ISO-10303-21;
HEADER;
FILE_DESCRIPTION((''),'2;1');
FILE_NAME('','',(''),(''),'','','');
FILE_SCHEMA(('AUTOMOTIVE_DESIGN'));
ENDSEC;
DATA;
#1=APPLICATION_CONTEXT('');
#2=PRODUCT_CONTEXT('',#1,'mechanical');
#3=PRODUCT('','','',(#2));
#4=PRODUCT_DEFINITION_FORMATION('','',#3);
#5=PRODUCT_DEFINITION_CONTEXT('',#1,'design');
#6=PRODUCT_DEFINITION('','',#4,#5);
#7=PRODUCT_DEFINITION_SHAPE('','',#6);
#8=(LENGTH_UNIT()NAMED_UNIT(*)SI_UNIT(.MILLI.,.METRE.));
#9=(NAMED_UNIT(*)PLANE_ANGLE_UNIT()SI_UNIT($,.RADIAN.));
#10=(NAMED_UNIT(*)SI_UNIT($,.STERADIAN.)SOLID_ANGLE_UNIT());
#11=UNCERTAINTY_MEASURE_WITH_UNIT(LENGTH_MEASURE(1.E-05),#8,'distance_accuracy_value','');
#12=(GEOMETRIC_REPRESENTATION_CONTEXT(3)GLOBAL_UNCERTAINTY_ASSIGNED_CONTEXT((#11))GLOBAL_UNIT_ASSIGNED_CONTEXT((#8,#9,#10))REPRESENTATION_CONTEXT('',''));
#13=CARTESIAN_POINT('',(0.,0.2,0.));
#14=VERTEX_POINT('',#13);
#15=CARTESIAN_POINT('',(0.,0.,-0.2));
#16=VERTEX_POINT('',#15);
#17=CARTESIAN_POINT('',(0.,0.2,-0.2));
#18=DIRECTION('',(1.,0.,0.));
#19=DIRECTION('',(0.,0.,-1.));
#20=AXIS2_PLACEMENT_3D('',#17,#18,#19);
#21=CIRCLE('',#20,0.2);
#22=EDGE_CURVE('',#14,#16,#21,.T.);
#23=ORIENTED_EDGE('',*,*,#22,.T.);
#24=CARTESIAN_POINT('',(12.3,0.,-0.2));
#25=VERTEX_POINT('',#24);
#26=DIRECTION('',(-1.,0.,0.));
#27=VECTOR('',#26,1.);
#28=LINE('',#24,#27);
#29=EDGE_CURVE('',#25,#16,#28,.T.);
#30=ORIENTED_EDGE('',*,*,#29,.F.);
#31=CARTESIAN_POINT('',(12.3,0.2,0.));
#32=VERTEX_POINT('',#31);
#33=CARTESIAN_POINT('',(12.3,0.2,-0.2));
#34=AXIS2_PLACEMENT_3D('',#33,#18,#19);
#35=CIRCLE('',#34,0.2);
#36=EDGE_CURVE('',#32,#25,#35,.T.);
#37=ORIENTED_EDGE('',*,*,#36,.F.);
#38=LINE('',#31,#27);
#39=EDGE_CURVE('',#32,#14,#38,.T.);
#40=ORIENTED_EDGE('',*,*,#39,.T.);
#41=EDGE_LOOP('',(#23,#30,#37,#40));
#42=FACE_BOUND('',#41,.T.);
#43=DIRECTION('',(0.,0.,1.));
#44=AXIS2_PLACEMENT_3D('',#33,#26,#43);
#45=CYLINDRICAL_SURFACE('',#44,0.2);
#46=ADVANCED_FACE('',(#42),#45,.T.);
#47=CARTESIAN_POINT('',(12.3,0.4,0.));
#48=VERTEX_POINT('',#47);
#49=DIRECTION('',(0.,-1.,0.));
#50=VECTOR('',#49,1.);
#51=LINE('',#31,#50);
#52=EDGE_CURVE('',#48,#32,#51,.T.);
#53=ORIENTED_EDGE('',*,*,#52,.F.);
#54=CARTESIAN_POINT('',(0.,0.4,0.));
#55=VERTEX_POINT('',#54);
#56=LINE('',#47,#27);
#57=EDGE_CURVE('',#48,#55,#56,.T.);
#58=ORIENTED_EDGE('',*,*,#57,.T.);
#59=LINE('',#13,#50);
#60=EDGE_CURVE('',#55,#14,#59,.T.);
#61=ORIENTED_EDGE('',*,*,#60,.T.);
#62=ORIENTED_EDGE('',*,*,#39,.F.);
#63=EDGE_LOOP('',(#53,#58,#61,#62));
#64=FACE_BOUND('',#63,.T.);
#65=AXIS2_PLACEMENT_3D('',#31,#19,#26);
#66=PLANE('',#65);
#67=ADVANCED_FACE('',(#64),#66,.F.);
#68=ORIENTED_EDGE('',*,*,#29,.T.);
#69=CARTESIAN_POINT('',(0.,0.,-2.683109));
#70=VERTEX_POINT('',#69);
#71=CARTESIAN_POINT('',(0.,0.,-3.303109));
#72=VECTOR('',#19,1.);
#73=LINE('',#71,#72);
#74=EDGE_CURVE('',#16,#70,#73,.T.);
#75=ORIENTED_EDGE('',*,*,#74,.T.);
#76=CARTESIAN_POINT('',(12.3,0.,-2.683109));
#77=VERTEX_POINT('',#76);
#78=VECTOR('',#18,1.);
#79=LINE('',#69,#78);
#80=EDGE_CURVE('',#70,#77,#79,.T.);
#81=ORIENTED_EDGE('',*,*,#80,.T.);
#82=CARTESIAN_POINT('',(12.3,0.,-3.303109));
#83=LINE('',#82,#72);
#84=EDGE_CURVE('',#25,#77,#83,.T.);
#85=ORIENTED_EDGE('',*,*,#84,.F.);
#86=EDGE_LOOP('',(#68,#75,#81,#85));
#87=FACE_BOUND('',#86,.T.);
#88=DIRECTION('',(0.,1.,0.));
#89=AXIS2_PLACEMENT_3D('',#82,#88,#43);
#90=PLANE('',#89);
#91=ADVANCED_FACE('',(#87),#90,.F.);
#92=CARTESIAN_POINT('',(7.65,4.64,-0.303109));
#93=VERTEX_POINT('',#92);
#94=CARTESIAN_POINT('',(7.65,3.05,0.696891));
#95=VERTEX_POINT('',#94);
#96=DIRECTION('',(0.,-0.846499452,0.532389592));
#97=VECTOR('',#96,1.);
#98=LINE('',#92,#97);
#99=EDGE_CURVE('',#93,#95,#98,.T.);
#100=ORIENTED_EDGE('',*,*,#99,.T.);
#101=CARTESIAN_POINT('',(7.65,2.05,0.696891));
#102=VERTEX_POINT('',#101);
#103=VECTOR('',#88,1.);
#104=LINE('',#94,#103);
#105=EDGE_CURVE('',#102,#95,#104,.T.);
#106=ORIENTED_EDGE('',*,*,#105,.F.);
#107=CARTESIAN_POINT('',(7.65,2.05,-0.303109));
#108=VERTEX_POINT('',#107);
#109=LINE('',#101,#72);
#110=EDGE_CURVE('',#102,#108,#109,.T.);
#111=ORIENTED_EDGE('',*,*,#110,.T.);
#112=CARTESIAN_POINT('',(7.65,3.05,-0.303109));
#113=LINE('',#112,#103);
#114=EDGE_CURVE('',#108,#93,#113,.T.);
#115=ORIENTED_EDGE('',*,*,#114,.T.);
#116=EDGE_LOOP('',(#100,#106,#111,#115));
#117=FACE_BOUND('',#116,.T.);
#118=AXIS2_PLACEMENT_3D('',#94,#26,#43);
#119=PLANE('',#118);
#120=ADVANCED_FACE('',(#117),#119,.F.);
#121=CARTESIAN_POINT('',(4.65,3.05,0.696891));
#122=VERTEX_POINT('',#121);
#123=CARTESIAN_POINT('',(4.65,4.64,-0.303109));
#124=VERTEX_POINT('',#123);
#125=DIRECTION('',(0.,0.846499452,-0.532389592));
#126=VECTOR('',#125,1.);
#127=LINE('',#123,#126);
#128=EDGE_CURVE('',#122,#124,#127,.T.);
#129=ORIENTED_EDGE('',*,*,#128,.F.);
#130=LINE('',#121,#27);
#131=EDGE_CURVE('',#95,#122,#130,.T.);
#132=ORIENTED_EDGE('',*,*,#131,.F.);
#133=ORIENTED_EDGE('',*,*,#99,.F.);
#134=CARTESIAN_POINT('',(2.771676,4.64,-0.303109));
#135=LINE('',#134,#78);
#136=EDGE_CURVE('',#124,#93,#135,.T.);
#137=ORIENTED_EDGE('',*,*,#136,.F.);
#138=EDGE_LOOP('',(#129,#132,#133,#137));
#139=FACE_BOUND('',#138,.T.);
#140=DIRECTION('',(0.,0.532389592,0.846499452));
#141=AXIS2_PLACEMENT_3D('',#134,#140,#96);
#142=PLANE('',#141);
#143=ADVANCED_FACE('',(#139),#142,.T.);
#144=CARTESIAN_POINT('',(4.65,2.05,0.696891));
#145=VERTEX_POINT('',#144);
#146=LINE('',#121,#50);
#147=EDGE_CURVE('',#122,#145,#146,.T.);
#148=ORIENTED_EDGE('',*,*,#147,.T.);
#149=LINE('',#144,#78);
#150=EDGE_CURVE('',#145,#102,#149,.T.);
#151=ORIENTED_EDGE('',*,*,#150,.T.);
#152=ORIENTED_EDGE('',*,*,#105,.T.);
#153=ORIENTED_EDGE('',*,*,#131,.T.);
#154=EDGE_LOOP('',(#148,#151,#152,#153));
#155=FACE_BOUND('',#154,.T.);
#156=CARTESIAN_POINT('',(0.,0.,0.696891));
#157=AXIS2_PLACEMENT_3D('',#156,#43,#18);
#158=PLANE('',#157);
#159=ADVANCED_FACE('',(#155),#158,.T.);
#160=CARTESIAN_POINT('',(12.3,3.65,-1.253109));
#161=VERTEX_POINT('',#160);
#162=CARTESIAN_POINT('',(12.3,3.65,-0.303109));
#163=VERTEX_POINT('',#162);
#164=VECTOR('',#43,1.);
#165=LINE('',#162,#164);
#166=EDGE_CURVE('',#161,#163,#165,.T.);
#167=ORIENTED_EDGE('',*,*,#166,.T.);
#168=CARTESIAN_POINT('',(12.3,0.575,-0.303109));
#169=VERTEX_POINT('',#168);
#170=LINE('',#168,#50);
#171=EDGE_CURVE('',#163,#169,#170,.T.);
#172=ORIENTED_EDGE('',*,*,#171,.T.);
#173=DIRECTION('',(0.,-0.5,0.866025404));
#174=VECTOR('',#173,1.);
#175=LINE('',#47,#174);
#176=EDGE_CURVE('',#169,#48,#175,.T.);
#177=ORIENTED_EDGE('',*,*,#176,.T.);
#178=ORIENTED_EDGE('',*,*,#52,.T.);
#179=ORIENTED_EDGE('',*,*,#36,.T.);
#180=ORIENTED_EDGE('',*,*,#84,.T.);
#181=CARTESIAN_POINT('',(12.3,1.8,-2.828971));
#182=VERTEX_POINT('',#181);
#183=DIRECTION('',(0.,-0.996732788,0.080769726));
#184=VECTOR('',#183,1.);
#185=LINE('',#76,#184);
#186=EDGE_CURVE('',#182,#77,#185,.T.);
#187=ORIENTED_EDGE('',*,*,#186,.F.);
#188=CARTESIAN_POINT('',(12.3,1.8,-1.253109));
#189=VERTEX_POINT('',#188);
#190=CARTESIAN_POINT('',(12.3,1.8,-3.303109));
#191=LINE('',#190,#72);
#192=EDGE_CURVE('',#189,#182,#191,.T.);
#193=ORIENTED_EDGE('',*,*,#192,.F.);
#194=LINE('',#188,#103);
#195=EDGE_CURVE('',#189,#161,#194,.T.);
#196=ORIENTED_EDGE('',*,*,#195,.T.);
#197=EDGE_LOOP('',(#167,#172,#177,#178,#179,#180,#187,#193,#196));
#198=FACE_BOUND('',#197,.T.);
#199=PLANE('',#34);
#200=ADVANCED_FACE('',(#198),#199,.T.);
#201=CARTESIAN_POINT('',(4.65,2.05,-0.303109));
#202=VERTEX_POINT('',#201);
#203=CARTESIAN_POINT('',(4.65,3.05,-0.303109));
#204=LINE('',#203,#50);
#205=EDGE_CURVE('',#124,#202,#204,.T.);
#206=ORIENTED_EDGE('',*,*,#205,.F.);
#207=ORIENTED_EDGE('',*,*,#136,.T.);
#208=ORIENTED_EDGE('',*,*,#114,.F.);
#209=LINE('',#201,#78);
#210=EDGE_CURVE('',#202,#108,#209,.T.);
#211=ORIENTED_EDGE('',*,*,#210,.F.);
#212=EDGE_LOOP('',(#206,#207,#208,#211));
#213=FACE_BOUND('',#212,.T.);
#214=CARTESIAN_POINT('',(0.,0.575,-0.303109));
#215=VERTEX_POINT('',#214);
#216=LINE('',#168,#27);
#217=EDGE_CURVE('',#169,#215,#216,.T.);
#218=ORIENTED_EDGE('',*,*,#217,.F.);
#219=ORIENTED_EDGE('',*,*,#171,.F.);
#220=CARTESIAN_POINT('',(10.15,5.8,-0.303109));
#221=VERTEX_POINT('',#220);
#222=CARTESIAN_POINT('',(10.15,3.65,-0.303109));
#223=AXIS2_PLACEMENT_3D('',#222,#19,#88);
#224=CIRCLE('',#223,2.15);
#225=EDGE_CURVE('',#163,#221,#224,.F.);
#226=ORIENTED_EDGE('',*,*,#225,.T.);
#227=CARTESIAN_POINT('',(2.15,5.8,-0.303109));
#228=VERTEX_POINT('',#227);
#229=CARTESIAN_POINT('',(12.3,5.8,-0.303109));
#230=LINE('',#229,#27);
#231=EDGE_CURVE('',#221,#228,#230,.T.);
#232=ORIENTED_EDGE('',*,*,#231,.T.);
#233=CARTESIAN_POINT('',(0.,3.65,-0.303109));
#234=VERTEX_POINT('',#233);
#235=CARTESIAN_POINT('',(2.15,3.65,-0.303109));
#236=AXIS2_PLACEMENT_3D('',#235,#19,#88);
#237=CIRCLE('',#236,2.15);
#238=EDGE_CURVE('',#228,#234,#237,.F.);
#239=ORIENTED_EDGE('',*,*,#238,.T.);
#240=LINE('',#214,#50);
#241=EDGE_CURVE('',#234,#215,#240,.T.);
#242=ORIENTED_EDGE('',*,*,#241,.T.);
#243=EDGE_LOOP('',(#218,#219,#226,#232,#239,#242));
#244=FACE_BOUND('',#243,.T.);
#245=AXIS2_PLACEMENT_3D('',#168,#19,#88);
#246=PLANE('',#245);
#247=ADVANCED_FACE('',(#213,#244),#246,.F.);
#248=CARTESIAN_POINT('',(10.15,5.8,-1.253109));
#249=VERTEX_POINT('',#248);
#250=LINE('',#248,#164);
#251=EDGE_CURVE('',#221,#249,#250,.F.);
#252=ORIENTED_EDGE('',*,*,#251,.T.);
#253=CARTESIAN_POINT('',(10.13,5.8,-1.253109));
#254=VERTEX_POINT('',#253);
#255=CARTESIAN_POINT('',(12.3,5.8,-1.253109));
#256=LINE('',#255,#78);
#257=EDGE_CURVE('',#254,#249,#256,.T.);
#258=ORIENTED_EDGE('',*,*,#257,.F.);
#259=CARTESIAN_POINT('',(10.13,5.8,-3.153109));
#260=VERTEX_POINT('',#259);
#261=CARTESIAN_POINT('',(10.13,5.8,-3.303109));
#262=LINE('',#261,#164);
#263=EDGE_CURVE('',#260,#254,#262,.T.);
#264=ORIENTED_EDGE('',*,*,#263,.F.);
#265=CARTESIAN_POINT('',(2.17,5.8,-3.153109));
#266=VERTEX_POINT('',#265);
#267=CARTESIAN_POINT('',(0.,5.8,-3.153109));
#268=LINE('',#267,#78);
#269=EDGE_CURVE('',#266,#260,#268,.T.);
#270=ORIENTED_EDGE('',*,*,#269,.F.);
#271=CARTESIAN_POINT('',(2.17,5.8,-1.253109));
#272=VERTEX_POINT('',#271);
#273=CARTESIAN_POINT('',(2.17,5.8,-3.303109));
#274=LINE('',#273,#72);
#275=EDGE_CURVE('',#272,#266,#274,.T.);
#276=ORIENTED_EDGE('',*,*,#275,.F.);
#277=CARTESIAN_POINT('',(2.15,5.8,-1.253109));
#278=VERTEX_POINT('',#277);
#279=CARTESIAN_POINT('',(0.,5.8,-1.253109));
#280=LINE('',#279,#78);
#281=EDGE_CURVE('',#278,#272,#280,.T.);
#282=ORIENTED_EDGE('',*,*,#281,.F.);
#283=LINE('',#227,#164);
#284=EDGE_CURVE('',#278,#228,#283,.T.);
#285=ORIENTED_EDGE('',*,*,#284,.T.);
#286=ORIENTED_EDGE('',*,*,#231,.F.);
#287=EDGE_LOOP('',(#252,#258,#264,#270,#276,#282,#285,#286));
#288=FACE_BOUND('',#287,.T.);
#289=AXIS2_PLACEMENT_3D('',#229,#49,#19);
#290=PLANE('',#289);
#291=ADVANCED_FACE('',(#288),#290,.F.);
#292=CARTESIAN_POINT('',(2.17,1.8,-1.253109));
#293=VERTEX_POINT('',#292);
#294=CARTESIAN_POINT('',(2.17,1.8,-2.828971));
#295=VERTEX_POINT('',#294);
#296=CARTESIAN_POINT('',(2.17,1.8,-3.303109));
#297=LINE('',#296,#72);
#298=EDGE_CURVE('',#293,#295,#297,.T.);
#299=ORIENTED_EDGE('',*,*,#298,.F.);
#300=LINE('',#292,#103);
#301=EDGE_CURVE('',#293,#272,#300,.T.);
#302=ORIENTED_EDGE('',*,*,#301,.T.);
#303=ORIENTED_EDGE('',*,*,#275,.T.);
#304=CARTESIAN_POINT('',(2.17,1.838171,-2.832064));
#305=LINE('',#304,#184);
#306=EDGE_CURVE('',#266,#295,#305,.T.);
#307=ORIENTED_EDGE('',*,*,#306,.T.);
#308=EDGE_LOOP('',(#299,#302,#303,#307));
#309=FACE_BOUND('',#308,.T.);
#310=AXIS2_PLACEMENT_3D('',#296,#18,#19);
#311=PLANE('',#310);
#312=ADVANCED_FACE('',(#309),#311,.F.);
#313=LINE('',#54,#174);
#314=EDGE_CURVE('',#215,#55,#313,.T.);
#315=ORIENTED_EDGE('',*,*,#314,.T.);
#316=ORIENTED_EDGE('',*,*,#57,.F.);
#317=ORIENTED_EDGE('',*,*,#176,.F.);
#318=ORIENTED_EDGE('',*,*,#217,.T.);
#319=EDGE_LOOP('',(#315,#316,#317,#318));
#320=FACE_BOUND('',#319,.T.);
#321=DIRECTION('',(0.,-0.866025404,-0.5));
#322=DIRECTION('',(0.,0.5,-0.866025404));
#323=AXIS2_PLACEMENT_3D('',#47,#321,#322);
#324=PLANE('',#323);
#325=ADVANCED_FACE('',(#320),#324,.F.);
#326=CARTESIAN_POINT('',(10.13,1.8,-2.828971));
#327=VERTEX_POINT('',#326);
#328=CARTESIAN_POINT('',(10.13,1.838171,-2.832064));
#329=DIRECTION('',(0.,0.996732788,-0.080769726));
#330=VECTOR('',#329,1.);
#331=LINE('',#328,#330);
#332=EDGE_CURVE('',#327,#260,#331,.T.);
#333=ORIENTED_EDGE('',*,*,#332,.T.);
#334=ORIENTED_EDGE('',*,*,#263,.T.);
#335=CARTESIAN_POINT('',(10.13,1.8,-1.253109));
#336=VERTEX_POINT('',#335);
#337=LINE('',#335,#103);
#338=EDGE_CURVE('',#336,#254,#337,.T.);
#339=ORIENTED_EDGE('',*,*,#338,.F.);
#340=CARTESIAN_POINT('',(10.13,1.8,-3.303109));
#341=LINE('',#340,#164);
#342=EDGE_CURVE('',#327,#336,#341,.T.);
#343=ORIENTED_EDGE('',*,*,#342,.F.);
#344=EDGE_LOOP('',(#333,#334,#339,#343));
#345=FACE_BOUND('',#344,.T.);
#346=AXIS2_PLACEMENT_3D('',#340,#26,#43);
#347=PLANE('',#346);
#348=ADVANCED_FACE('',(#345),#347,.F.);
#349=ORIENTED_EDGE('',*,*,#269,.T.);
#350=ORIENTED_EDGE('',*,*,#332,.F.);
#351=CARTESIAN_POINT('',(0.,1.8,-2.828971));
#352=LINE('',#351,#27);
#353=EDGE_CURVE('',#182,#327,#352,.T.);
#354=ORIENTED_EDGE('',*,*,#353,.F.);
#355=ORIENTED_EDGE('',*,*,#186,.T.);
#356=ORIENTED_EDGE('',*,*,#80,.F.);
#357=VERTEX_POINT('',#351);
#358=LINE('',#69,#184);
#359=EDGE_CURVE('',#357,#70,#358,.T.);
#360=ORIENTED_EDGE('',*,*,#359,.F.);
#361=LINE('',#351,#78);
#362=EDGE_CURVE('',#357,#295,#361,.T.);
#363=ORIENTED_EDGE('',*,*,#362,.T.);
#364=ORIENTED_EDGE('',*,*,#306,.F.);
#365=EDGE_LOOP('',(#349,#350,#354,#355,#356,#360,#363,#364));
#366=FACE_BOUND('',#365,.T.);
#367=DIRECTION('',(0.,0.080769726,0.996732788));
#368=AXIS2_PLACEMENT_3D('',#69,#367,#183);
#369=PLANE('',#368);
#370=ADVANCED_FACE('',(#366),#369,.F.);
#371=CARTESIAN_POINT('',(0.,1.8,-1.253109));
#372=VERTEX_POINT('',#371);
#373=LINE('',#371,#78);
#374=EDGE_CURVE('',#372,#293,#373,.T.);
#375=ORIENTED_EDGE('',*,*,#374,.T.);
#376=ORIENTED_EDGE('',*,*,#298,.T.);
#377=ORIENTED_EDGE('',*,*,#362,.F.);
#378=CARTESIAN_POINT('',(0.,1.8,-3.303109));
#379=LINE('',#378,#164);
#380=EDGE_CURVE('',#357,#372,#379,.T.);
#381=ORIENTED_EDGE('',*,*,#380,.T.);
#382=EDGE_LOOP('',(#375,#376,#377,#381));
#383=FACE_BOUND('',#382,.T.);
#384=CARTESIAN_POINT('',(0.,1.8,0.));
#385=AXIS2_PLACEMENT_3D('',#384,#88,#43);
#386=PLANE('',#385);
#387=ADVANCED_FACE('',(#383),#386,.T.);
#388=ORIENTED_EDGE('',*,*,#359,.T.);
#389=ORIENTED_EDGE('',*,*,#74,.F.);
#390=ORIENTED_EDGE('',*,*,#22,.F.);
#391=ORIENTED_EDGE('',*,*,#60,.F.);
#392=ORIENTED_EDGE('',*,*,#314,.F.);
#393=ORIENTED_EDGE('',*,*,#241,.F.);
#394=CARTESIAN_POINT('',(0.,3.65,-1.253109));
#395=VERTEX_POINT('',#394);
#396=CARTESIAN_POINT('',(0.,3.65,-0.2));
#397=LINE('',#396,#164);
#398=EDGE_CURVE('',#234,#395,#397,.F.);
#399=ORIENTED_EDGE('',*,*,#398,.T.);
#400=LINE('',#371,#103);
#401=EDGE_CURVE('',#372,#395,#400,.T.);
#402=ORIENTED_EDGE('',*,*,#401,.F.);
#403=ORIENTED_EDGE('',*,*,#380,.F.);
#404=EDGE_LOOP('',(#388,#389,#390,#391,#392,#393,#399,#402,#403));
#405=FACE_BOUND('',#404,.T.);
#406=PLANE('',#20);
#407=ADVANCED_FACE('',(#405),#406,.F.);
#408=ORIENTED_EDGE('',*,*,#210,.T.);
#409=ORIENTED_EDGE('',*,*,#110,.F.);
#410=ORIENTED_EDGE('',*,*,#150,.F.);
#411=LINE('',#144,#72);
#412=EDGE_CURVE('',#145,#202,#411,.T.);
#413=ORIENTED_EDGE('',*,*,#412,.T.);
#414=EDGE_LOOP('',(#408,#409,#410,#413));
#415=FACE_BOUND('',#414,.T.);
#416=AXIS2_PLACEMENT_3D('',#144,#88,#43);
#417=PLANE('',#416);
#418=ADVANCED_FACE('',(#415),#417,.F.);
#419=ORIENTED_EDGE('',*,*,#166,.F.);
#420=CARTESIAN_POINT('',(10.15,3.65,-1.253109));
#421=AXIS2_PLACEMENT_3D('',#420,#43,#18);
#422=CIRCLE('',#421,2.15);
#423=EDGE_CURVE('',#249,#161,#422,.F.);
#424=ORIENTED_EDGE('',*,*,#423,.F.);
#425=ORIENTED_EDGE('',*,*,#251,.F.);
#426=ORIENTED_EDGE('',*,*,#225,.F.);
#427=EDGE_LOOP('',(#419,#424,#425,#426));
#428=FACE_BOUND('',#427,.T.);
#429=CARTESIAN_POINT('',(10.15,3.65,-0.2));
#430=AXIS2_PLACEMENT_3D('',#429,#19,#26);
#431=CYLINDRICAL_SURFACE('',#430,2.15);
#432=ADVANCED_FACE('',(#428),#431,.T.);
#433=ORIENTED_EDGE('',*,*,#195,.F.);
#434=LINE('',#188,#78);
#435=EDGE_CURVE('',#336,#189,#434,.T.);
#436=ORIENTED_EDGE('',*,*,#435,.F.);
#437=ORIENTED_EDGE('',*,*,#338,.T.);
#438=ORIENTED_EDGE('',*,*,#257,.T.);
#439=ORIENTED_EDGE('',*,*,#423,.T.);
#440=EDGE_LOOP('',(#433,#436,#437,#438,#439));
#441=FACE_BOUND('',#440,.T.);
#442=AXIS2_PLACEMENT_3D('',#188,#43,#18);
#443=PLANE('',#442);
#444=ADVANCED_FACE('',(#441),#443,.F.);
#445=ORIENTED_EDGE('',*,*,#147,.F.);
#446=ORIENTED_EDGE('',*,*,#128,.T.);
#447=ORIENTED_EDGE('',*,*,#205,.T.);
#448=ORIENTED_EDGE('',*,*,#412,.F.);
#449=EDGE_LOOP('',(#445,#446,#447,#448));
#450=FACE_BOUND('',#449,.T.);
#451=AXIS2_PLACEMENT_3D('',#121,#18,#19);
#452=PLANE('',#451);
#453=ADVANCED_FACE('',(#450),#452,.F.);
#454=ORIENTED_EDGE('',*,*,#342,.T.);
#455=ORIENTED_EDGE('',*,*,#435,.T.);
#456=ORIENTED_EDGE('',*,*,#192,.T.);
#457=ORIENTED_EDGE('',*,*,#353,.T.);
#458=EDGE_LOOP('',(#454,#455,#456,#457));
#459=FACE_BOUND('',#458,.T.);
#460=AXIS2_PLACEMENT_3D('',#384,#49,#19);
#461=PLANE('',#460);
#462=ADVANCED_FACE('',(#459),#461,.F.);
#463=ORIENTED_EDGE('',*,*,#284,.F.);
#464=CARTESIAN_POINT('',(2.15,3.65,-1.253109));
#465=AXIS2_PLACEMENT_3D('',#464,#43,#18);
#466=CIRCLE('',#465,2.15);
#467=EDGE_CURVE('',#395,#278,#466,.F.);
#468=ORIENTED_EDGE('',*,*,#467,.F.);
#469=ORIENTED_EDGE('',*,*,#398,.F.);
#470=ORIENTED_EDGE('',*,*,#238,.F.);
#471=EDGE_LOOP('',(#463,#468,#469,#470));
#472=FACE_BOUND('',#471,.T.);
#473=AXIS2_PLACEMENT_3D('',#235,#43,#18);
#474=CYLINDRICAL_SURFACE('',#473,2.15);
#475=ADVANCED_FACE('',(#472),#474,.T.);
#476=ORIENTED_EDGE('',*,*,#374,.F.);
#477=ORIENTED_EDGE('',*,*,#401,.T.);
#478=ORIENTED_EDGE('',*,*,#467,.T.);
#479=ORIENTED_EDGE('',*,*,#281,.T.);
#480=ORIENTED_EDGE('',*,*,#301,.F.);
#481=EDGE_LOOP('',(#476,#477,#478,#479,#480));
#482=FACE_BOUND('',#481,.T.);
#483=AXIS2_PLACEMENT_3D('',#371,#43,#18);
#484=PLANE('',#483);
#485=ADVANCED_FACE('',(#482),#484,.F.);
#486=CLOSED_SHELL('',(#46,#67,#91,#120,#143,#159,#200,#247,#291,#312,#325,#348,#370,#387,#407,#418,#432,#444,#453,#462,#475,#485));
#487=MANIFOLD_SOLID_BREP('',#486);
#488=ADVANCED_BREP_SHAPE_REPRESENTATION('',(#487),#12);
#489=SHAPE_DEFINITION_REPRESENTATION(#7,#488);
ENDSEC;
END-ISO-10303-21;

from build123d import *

# Parameters (mm, degrees)
BOSS_EXTRUDE1_DEPTH = 12.3
SKETCH2_W           = 2.17
SKETCH2_H           = 2.05
CUT_EXTRUDE1_DEPTH  = 4
FILLET1_R           = 2.15
SKETCH4_W           = 3
SKETCH4_H           = 1
BOSS_EXTRUDE2_DEPTH = 1
BOSS_EXTRUDE3_DEPTH = 3
CUT_EXTRUDE2_DEPTH  = 14.994303425


with BuildPart() as part:
    # Sketch1 → Boss-Extrude1 (new body)
    with BuildSketch(Plane(origin=(0, 0, 0), x_dir=(0, 0, -1), z_dir=(1, 0, 0))):
        with BuildLine():
            Line((0, 0.2), (0, 0.4))
            Line((0, 0.4), (0.303108891, 0.575))
            Line((0.303108891, 0.575), (0.303108891, 5.8))
            Line((0.303108891, 5.8), (3.303108891, 5.8))
            Line((3.303108891, 5.8), (3.303108891, 0))
            Line((3.303108891, 0), (0.2, 0))
            ThreePointArc((0.2, 0), (0.058578644, 0.058578644), (0, 0.2))
        make_face()
    extrude(amount=BOSS_EXTRUDE1_DEPTH)

    # Sketch2 → Cut-Extrude1 (cut)
    with BuildSketch(Plane(origin=(0, 5.8, 0), x_dir=(1, 0, 0), z_dir=(0, 1, 0))):
        with Locations((1.085, 2.278108891)):
            Rectangle(SKETCH2_W, SKETCH2_H)
        with Locations((11.215, 2.278108891)):
            Rectangle(SKETCH2_W, SKETCH2_H)
    extrude(amount=-CUT_EXTRUDE1_DEPTH, mode=Mode.SUBTRACT)

    # Fillet1
    fillet1_edges = [part.edges().sort_by_distance(p)[0] for p in [
        (0, 5.8, -0.778108891),
        (12.3, 5.8, -0.778108891),
    ]]
    fillet(fillet1_edges, radius=FILLET1_R)

    # Sketch4 → Boss-Extrude2 (add)
    with BuildSketch(Plane.XY.offset(-0.303108891)):
        with Locations((6.15, 2.55)):
            Rectangle(SKETCH4_W, SKETCH4_H)
    extrude(amount=BOSS_EXTRUDE2_DEPTH)

    # Sketch5 → Boss-Extrude3 (add)
    with BuildSketch(Plane(origin=(7.65, 0, 0), x_dir=(0, 0, -1), z_dir=(1, 0, 0))):
        Polygon((-0.696891109, 3.05), (0.303108891, 3.05), (0.303108891, 4.64), align=None)
    extrude(amount=-BOSS_EXTRUDE3_DEPTH)

    # Sketch7 → Cut-Extrude2 (cut, through all)
    with BuildSketch(Plane(origin=(12.3, 0, 0), x_dir=(0, 0, -1), z_dir=(1, 0, 0))):
        Polygon((3.303108891, 5.8), (3.303108891, 0), (2.683108891, 0), (3.153108891, 5.8), align=None)
    extrude(amount=-CUT_EXTRUDE2_DEPTH, mode=Mode.SUBTRACT)


solid = part.part
